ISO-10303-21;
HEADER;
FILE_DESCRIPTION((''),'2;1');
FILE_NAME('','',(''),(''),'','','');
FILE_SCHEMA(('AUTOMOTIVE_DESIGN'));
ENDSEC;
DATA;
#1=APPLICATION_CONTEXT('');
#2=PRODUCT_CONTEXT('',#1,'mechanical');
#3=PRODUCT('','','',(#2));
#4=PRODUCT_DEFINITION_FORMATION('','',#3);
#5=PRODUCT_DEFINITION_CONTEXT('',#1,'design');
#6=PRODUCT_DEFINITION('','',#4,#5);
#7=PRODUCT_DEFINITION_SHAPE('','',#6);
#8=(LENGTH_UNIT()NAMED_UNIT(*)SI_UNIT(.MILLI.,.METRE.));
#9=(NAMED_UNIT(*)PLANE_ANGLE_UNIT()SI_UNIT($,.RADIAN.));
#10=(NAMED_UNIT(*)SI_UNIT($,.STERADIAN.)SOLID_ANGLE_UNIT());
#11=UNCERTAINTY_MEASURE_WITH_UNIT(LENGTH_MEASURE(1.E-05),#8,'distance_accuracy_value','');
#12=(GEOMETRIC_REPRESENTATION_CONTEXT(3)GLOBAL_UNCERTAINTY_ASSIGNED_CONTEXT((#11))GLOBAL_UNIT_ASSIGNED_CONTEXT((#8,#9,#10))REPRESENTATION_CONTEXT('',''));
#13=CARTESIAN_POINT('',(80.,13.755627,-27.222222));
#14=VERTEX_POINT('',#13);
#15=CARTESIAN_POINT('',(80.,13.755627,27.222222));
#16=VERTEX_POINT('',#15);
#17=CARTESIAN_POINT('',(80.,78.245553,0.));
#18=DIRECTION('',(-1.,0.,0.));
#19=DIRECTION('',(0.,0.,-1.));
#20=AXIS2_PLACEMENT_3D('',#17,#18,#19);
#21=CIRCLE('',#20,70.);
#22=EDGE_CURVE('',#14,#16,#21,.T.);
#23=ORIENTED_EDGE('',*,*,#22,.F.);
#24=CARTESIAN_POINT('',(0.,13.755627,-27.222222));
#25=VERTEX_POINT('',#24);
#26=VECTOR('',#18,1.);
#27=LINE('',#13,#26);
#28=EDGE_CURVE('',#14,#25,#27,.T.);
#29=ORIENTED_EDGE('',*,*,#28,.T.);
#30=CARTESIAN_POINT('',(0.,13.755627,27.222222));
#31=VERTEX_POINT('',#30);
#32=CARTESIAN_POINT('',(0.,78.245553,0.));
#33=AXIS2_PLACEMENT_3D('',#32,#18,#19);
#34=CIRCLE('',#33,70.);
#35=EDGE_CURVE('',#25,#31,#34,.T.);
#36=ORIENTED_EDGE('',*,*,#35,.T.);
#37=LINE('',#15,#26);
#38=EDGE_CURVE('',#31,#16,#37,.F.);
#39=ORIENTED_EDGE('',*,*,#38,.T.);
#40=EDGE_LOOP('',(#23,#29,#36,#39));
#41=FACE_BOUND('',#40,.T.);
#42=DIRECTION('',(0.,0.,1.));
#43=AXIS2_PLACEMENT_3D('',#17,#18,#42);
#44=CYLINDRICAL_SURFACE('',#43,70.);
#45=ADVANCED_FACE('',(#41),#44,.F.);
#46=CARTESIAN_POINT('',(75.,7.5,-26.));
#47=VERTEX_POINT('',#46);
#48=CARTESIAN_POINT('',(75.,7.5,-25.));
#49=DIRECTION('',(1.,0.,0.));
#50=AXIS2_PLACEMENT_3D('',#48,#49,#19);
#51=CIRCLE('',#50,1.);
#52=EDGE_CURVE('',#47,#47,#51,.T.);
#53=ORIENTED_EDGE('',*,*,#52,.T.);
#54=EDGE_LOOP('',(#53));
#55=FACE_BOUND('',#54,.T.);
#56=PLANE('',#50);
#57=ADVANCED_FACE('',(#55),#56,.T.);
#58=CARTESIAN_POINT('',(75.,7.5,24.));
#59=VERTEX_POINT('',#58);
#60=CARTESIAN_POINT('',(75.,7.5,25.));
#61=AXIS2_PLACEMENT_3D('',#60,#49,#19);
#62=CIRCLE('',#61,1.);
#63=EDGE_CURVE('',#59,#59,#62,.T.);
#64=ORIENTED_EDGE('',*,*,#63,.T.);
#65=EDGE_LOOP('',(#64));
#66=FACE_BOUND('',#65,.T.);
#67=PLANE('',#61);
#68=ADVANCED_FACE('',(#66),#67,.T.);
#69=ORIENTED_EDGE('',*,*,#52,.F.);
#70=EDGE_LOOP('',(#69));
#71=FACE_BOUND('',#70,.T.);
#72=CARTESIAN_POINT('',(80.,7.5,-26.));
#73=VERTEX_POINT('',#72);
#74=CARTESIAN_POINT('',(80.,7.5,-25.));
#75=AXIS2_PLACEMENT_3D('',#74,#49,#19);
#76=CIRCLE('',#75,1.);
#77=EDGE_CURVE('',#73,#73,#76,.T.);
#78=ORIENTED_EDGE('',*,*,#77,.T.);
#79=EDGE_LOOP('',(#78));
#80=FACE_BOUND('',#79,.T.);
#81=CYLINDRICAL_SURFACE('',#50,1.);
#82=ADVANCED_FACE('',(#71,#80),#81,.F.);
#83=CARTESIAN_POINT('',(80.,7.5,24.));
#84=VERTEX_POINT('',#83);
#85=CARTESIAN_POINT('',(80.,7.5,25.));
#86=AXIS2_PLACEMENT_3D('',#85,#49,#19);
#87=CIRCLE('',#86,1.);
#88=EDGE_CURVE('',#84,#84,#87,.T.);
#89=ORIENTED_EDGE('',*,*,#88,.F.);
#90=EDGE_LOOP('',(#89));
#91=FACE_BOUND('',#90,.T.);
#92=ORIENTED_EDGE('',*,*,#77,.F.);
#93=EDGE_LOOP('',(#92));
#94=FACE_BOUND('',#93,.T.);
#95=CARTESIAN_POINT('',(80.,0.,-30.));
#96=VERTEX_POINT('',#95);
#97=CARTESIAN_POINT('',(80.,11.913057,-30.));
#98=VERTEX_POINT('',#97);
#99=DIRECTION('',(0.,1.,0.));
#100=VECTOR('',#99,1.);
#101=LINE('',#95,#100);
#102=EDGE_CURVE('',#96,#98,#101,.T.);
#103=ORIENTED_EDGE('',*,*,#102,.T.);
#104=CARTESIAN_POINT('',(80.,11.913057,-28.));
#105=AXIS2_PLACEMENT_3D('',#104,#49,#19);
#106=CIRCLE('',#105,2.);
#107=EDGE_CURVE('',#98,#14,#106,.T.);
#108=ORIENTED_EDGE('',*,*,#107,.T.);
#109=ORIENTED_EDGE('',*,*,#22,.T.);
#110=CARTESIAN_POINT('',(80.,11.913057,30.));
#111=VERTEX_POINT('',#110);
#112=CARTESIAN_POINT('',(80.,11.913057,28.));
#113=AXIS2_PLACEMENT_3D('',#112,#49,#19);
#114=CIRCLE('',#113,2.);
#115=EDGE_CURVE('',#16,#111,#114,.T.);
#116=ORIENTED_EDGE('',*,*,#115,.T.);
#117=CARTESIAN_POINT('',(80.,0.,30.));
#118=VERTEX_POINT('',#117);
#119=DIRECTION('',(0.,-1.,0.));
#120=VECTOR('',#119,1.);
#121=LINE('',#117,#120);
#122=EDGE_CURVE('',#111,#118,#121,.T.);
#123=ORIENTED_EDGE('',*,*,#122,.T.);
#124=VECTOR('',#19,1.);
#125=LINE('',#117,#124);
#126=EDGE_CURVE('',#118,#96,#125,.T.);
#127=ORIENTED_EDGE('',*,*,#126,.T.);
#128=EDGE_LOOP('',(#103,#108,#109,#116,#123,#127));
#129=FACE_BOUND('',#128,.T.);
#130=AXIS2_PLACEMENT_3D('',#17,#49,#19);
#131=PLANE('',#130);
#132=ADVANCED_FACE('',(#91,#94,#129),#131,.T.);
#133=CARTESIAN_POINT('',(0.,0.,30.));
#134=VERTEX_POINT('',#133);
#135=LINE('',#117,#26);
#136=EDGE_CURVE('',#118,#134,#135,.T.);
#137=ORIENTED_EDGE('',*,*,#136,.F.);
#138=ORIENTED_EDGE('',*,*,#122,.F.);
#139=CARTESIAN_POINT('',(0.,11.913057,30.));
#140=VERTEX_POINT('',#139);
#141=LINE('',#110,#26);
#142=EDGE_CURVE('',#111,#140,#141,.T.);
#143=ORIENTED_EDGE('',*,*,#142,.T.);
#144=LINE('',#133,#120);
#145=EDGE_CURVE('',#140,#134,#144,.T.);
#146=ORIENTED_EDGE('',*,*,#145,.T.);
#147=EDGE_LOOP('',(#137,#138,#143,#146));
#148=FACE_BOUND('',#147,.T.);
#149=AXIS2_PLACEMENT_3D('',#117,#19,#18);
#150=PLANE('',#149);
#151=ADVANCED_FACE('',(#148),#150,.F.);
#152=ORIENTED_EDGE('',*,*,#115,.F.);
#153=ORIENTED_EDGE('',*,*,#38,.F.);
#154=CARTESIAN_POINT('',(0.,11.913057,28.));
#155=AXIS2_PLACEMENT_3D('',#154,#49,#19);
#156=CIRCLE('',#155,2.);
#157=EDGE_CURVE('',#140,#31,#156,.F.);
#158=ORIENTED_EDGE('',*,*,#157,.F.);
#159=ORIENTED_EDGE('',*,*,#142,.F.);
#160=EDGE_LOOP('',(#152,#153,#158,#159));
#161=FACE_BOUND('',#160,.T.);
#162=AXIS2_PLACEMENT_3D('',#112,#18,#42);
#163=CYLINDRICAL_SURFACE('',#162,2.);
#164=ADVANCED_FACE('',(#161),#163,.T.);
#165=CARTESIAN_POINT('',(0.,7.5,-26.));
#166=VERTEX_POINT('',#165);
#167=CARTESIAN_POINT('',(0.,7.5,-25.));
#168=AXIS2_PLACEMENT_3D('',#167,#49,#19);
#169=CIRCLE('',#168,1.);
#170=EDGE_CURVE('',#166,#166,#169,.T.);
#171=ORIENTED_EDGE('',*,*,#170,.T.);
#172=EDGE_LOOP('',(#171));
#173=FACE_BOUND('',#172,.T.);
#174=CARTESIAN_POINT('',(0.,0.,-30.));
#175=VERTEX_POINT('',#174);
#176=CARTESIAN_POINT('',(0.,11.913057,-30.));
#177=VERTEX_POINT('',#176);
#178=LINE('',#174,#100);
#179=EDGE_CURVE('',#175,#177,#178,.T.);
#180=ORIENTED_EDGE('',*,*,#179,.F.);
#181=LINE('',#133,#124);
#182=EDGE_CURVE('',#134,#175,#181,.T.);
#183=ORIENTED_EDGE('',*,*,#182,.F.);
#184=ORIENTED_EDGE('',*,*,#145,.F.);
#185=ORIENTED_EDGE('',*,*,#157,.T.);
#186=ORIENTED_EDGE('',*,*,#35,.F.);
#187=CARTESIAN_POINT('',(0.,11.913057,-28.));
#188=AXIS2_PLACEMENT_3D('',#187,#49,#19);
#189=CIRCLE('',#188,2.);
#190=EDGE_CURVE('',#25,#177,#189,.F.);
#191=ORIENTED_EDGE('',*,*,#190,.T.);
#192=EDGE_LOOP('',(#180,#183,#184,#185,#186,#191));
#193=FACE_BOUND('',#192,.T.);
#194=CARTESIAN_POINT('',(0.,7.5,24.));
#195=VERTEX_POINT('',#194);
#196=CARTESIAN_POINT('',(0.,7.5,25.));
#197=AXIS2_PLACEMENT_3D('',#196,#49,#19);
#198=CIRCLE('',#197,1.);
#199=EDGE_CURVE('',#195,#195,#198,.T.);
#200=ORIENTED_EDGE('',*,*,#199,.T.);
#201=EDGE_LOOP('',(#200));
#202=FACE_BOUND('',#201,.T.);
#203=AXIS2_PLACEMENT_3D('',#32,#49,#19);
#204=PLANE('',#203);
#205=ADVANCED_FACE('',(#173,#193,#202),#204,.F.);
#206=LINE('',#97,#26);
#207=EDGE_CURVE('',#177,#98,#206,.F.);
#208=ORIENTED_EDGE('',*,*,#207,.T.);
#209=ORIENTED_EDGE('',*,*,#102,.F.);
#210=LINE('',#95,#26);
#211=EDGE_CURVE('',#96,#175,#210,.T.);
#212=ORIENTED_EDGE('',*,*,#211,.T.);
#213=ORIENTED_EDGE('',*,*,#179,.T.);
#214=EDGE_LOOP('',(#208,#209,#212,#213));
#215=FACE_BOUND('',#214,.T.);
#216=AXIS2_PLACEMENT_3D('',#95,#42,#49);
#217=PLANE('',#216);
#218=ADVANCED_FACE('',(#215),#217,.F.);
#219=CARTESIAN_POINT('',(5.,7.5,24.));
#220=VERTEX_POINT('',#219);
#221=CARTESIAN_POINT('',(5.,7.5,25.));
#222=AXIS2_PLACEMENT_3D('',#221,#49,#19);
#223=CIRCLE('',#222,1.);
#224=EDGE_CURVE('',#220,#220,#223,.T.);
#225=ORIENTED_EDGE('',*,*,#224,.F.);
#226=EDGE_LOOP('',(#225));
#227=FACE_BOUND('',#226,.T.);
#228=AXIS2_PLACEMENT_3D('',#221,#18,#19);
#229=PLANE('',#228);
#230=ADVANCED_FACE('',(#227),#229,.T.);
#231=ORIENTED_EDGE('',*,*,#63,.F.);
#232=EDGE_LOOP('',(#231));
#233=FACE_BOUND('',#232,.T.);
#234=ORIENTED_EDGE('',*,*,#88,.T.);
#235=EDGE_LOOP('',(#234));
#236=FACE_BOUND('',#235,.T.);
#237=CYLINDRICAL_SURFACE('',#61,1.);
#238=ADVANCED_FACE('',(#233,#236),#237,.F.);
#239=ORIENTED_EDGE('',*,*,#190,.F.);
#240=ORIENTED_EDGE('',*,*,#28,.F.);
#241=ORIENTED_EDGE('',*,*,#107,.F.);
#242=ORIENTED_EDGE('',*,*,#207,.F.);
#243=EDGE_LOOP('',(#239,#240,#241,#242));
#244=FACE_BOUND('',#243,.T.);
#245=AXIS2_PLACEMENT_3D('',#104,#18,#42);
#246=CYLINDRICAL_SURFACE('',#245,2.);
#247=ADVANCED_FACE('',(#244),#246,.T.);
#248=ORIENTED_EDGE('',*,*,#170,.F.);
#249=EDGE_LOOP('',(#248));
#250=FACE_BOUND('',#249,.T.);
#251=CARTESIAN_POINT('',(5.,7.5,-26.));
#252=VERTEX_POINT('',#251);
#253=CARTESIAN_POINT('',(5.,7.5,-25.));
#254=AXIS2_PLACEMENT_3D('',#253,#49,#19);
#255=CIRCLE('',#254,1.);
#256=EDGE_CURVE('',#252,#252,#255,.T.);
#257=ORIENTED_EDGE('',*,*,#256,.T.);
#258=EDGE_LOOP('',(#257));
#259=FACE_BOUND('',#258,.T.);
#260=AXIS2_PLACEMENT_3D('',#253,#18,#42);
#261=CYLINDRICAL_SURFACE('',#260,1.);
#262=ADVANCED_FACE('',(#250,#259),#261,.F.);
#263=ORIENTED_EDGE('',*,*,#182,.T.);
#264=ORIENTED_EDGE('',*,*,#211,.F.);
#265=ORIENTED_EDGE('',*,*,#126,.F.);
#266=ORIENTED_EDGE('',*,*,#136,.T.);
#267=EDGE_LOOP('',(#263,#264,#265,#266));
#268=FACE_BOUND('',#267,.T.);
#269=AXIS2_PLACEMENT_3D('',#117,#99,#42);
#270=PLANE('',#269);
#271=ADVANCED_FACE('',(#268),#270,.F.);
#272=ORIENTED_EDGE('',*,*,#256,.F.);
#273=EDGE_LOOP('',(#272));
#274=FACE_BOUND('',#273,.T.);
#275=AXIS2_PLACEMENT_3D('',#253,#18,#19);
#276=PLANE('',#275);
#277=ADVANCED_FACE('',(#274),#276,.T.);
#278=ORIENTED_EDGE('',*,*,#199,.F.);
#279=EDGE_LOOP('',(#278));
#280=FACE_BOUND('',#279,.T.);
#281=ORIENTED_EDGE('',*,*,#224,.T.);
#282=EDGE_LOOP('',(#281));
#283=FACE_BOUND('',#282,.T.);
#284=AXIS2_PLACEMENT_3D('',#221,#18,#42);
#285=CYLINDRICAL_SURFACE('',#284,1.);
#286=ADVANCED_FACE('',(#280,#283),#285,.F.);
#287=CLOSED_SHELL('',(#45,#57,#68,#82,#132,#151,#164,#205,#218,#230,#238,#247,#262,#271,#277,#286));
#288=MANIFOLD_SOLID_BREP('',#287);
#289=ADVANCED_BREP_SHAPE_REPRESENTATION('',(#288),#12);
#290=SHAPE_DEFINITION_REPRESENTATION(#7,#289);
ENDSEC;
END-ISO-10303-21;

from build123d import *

# Parameters (mm, degrees)
EXTRUDE_1_DEPTH     = 80
FILLET_1_R          = 2
SKETCH_2_R          = 1
CUT_EXTRUDE_1_DEPTH = 5


with BuildPart() as part:
    # 草图1 → 凸台-拉伸1 (new body)
    with BuildSketch(Plane(origin=(0, 0, 0), x_dir=(0, 0, -1), z_dir=(1, 0, 0))):
        with BuildLine():
            Line((-30, 0), (30, 0))
            Line((30, 0), (30, 15))
            ThreePointArc((30, 15), (0, 8.245553203), (-30, 15))
            Line((-30, 15), (-30, 0))
        make_face()
    extrude(amount=EXTRUDE_1_DEPTH)

    # 圆角1
    fillet_1_edges = [part.edges().sort_by_distance(p)[0] for p in [
        (40, 15, 30),
        (40, 15, -30),
    ]]
    fillet(fillet_1_edges, radius=FILLET_1_R)

    # 草图2 → 切除-拉伸1 (cut)
    with BuildSketch(Plane(origin=(80, 0, 0), x_dir=(0, 0, -1), z_dir=(1, 0, 0))):
        with Locations((-25, 7.5)):
            Circle(SKETCH_2_R)
        with Locations((25, 7.5)):
            Circle(SKETCH_2_R)
    cut_extrude_1 = extrude(amount=-CUT_EXTRUDE_1_DEPTH, mode=Mode.SUBTRACT)

    # 镜向1: 切除-拉伸1 across plane
    add(cut_extrude_1.mirror(Plane(origin=(40, 0, 0), x_dir=(0, 0, 1), z_dir=(1, 0, 0))), mode=Mode.SUBTRACT)


solid = part.part
